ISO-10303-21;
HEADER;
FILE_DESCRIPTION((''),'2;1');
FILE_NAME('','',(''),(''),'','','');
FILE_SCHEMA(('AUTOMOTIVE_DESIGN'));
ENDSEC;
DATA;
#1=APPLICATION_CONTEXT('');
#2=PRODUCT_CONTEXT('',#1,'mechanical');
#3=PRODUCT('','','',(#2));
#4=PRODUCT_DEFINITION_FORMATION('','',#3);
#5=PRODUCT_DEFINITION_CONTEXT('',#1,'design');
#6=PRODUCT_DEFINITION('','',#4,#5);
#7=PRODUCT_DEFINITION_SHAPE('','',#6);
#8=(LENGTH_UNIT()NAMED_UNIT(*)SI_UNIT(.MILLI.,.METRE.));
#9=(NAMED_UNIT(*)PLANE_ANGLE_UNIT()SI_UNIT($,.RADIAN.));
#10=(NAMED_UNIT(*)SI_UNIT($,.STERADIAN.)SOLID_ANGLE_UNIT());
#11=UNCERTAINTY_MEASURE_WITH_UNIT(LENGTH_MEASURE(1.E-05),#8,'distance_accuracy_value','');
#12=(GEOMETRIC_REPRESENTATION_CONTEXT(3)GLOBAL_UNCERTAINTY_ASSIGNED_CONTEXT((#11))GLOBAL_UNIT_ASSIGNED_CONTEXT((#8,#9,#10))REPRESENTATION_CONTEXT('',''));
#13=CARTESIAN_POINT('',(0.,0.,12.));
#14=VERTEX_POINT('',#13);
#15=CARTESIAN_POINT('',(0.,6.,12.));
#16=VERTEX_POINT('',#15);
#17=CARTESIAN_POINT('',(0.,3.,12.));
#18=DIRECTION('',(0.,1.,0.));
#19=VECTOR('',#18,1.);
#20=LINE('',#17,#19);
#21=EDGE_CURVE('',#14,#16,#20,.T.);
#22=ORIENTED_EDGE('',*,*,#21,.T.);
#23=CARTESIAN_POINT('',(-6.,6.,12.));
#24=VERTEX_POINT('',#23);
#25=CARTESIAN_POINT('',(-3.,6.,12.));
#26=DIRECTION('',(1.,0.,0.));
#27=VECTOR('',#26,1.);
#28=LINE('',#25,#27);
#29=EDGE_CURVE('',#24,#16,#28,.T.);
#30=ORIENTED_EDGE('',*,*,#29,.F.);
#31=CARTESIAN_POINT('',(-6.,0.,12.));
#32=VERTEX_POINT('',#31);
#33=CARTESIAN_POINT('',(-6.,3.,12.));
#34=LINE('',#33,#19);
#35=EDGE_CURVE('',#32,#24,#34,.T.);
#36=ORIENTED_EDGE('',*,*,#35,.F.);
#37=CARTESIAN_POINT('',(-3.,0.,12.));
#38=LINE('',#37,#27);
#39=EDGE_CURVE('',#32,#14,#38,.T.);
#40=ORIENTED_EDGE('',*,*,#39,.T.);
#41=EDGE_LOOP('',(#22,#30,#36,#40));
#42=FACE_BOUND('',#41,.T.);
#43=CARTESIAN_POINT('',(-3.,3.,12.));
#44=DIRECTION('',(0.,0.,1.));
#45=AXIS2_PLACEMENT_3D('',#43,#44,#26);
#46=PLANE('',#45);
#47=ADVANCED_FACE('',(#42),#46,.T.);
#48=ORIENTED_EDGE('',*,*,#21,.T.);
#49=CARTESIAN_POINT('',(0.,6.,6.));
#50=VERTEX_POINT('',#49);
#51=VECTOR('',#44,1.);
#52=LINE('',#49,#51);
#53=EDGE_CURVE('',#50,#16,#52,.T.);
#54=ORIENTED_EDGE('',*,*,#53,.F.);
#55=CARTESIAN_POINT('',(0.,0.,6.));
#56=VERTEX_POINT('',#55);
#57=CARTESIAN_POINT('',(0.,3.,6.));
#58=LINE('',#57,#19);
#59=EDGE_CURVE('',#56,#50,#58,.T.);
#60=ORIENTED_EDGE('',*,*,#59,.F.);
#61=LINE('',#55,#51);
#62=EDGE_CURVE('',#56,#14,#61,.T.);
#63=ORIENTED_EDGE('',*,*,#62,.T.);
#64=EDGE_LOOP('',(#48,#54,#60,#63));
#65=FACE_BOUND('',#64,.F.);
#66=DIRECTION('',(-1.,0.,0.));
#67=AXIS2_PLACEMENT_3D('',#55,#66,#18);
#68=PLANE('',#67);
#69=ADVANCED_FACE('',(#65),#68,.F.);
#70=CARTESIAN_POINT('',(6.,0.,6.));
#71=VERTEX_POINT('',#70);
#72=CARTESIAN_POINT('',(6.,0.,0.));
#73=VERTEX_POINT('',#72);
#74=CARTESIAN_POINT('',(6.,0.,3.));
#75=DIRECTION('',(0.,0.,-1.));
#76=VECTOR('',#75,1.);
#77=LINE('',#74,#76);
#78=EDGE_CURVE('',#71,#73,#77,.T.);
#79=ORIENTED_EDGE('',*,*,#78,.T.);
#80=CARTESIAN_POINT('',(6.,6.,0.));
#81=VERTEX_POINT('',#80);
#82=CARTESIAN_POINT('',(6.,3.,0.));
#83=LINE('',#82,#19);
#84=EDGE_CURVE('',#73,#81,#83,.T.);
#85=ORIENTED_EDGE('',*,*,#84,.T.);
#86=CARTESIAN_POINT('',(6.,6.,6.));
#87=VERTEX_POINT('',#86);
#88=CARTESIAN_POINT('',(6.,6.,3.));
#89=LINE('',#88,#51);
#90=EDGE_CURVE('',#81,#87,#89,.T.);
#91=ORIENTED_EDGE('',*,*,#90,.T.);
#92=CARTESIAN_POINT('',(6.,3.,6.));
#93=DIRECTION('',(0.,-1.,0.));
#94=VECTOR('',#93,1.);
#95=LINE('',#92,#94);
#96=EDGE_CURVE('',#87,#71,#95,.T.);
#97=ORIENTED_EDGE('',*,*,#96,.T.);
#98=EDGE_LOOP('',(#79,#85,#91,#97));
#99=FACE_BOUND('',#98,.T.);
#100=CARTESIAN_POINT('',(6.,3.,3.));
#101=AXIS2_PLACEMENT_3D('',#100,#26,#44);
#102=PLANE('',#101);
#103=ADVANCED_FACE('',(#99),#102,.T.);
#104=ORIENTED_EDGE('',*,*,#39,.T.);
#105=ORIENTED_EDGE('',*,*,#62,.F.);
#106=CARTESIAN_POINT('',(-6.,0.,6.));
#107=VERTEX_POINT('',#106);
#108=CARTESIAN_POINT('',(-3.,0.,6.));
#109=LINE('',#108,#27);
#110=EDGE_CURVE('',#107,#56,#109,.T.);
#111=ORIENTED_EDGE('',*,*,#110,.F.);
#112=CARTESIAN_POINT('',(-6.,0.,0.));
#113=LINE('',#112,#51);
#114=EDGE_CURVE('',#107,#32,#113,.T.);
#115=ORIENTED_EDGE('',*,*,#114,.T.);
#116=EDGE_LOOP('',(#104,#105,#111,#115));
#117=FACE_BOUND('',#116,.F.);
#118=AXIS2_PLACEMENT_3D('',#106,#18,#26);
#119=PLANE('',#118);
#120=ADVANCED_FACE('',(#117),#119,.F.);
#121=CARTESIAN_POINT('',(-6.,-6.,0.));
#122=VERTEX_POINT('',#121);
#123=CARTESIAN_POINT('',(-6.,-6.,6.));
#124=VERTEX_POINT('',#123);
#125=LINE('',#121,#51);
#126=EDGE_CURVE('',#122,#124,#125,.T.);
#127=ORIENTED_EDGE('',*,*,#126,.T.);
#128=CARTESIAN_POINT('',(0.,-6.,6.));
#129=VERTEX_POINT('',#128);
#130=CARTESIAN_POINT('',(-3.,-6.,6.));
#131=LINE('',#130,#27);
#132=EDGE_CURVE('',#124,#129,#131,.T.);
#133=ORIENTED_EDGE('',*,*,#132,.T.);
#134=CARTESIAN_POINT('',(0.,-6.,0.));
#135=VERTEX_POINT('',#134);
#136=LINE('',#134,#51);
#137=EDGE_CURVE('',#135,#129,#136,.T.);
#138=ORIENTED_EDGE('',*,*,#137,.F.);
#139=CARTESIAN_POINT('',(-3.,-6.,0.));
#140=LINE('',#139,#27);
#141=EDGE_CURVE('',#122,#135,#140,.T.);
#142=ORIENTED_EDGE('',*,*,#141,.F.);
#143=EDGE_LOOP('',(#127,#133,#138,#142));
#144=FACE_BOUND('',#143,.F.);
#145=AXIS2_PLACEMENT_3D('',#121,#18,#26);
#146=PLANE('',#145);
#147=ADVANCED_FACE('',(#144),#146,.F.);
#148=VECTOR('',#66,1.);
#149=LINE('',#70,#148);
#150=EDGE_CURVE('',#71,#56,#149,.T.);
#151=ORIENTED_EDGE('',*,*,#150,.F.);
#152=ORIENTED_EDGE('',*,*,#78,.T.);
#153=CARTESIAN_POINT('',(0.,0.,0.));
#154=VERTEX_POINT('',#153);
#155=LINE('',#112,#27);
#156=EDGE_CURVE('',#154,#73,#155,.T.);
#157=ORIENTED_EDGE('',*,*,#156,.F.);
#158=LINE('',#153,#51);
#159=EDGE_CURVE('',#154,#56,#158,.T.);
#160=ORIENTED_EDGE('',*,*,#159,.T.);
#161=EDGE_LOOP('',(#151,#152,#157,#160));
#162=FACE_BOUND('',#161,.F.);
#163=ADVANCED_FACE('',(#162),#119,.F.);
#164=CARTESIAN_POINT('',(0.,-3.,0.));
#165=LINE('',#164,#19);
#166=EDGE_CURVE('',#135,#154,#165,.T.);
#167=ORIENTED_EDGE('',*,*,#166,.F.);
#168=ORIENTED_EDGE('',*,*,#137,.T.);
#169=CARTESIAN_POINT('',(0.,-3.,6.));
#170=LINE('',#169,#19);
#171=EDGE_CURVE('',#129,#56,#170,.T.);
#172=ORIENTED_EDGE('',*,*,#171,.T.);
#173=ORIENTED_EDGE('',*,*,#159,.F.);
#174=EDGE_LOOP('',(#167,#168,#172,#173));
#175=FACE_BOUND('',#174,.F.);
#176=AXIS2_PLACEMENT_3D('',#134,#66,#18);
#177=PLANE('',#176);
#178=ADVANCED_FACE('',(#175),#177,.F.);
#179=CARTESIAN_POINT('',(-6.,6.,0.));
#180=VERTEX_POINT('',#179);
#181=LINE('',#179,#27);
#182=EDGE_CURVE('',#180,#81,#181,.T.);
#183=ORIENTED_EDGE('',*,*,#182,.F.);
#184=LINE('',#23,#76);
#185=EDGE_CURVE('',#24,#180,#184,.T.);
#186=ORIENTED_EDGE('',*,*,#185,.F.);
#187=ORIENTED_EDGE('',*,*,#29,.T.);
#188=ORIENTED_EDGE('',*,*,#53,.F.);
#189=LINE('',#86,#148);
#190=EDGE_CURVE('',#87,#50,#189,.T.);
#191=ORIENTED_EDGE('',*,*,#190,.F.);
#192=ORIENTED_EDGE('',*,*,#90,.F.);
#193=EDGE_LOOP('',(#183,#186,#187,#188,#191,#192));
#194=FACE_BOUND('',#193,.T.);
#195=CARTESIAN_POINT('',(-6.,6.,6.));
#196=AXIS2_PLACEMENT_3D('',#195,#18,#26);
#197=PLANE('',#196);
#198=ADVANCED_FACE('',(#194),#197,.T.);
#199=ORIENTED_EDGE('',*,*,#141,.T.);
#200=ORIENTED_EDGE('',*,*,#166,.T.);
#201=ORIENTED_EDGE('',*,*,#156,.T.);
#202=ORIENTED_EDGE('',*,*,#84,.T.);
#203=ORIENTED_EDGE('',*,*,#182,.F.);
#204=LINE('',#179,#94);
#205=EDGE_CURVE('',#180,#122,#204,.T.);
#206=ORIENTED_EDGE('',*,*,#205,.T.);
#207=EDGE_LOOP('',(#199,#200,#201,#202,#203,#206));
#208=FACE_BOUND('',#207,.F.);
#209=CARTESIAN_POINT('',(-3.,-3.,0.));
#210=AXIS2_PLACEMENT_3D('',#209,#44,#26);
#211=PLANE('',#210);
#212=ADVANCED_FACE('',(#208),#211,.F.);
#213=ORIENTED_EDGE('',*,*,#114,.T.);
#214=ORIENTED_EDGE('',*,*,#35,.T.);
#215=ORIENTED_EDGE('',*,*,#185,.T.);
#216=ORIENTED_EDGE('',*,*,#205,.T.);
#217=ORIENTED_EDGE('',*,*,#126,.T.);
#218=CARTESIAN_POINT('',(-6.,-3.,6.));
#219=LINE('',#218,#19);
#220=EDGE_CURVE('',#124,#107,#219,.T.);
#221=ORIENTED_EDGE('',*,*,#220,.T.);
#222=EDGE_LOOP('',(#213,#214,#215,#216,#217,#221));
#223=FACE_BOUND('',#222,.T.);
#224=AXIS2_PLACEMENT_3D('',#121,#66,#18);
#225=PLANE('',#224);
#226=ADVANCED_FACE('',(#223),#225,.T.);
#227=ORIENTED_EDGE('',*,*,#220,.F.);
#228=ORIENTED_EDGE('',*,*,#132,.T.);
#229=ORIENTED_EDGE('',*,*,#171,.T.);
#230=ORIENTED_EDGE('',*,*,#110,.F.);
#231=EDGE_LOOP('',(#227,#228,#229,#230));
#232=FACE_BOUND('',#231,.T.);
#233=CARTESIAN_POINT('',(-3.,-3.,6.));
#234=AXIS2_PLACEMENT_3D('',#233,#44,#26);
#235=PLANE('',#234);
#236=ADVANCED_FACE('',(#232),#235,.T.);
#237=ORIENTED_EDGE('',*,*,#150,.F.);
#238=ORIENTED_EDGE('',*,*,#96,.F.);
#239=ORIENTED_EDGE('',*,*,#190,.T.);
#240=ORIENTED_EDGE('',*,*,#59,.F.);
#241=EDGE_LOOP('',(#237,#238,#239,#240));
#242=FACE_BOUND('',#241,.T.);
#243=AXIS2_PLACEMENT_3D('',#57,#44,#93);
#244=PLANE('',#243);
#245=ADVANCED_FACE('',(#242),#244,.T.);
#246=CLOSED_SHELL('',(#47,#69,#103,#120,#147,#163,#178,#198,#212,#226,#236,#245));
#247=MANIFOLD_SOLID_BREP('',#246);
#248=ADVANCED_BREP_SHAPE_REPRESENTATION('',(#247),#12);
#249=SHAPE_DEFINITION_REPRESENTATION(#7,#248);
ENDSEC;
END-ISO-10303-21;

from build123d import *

# Parameters (mm, degrees)
F0_W      = 6
F0_H      = 6
F1_DEPTH  = 6
F1_FACE_W = 6
F1_FACE_H = 6
F5_W      = 6
F5_H      = 6
F6_DEPTH  = 6
F7_W      = 6
F7_H      = 6
F8_DEPTH  = 6


with BuildPart() as f1:
    # F0 (on Top) → F1 (new body)
    with BuildSketch(Plane.XY):
        with Locations((-3, 3)):
            Rectangle(F0_W, F0_H)
    extrude(amount=F1_DEPTH)

    # F3: sweep along a path in F2
    with BuildLine(Plane.XY) as f3_path:
        Line((0, 3.029319), (6, 3.029319))
    # F1_face (on face) → F3 (sweep)
    with BuildSketch(Plane(origin=(0, 3, 3), x_dir=(0, 1, 0), z_dir=(1, 0, 0))):
        Rectangle(F1_FACE_W, F1_FACE_H)
    sweep(path=f3_path.line)

    # F5 (on offset) → F6 (join)
    with BuildSketch(Plane.XY.offset(6)):
        with Locations((-3, 3)):
            Rectangle(F5_W, F5_H)
    extrude(amount=F6_DEPTH)

    # F7 (on Top) → F8 (join)
    with BuildSketch(Plane.XY):
        with Locations((-3, -3)):
            Rectangle(F7_W, F7_H)
    extrude(amount=F8_DEPTH)


solid = f1.part
